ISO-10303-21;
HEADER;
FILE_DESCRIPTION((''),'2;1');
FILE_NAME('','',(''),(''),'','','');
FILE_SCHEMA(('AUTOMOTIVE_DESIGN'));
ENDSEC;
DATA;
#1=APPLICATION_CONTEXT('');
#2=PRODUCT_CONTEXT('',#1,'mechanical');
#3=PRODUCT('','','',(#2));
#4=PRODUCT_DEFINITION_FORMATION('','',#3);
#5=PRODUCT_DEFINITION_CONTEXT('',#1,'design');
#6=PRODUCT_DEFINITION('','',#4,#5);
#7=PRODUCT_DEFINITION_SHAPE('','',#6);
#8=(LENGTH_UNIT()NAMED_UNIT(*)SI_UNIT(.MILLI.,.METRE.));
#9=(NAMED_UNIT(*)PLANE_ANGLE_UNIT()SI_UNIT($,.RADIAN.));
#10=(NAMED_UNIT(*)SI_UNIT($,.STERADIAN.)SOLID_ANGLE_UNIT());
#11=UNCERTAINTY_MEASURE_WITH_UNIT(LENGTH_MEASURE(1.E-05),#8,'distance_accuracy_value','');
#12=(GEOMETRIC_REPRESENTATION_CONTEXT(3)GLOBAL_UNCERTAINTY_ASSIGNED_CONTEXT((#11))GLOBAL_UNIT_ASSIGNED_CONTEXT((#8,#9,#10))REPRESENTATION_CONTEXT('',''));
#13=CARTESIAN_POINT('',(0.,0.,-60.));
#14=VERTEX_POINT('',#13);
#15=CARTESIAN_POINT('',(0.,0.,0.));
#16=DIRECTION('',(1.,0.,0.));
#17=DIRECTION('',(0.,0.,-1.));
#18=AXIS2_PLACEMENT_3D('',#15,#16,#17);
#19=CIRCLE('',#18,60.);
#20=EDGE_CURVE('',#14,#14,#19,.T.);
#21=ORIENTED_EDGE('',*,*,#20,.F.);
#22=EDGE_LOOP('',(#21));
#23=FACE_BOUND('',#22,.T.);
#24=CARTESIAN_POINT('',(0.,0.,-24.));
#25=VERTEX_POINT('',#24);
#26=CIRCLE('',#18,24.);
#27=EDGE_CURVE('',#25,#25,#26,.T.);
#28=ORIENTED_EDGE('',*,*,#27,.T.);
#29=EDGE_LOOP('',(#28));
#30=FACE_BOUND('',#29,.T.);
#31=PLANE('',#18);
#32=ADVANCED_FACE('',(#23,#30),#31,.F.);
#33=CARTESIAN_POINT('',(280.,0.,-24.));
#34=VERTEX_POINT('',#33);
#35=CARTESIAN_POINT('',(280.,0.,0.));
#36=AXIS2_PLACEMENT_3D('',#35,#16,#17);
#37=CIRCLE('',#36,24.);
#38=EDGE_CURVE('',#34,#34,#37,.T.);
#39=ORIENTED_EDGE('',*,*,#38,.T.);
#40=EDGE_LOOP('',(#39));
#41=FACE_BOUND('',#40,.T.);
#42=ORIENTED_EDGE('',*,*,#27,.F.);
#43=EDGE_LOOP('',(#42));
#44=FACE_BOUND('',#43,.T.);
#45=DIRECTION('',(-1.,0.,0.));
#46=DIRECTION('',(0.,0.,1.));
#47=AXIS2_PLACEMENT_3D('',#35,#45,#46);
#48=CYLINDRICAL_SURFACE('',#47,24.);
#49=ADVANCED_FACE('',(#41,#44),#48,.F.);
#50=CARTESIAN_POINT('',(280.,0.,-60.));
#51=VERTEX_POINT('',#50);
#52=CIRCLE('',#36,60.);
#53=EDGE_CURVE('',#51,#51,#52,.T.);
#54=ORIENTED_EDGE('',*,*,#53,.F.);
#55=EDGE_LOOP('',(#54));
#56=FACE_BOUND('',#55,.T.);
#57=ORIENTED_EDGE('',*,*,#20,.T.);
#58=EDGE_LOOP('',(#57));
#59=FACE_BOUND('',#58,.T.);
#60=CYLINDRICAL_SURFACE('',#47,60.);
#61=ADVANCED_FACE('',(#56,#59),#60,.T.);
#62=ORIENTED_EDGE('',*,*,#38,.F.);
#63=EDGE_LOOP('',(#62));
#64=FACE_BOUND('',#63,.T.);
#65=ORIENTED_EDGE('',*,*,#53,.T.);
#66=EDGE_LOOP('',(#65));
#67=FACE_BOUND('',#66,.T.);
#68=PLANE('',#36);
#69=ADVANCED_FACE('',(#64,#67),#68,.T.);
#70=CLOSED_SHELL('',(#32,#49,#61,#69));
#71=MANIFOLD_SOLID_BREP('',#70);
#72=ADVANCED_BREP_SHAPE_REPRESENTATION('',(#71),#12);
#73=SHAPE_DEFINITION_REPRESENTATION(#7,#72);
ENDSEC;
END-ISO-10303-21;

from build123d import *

# Parameters (mm, degrees)
CROQUIS1_R              = 60
CROQUIS1_R_2            = 24
SALIENTE_EXTRUIR1_DEPTH = 280


with BuildPart() as part:
    # Croquis1 → Saliente-Extruir1 (new body)
    with BuildSketch(Plane(origin=(0, 0, 0), x_dir=(0, 0, -1), z_dir=(1, 0, 0))):
        Circle(CROQUIS1_R)
        Circle(CROQUIS1_R_2, mode=Mode.SUBTRACT)
    extrude(amount=SALIENTE_EXTRUIR1_DEPTH)


solid = part.part
